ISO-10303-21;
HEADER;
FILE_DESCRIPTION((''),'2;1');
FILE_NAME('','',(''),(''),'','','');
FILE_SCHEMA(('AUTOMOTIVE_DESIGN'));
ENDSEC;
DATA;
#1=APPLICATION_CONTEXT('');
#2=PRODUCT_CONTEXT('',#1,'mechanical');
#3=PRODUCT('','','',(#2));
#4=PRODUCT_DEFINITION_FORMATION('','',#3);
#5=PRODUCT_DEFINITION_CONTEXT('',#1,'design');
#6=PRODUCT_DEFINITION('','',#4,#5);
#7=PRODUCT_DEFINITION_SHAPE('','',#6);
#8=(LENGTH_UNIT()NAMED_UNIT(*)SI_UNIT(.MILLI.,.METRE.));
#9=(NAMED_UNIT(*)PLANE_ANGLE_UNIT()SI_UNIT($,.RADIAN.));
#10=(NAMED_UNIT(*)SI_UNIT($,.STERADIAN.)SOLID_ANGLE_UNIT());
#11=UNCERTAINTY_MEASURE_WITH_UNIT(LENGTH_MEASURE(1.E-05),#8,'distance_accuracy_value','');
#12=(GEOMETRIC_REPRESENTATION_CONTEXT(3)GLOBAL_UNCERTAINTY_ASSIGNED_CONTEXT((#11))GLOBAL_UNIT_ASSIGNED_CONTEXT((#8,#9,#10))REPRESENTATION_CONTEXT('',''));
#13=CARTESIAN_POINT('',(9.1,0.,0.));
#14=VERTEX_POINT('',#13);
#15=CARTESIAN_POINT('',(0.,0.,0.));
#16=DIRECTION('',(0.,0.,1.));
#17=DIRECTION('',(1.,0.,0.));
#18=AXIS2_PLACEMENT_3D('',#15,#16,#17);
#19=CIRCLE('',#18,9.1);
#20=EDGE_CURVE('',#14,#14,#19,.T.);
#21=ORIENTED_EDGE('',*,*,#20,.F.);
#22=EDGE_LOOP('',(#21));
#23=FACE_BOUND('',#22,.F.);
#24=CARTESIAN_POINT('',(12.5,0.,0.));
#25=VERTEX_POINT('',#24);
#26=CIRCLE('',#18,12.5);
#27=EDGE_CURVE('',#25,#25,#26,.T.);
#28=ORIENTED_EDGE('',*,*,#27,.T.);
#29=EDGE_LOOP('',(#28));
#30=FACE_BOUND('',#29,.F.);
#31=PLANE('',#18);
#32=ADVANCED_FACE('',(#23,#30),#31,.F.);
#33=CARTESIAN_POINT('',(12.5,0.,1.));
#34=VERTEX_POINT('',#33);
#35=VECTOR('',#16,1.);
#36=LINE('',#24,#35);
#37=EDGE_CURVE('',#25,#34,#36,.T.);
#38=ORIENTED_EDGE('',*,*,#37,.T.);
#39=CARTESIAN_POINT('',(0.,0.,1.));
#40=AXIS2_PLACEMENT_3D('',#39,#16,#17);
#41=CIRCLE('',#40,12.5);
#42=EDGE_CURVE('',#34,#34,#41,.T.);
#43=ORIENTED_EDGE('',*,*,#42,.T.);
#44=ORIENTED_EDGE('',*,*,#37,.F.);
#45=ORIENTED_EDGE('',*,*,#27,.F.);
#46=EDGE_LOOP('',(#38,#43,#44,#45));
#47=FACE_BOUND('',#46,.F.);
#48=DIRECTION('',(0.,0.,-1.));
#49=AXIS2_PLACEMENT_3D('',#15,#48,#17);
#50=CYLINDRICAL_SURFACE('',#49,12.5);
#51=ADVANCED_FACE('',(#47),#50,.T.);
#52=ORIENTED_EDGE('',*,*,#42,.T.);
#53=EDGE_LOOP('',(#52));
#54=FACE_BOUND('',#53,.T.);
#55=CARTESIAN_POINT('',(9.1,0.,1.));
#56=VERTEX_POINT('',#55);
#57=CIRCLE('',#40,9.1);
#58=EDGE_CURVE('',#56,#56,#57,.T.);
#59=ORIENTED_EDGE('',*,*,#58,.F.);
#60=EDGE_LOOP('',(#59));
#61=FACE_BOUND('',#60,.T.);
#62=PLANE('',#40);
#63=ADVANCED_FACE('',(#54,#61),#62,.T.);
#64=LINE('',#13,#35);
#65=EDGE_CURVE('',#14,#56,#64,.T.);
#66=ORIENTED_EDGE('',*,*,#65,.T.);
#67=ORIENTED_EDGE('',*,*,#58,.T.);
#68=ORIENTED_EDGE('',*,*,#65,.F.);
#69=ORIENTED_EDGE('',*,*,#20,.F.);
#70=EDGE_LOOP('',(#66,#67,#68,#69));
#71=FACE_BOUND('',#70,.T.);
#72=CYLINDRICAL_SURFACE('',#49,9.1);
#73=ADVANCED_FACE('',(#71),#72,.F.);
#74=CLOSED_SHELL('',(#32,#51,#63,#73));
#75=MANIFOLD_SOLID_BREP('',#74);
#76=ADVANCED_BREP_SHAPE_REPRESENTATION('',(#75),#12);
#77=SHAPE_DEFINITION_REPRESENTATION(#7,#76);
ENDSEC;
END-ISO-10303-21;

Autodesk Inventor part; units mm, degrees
ref_plane "YZ Plane" through (0, 0, 0) normal (1, 0, 0) x (0, 1, 0)
ref_plane "XZ Plane" through (0, 0, 0) normal (0, 1, 0) x (-1, 0, 0)
ref_plane "XY Plane" through (0, 0, 0) normal (0, 0, 1) x (1, 0, 0)
sketch "スケッチ1" plane through (0, 0, 0) normal (0, 0, 1) x (1, 0, 0)
  circle A0 centre (0, 0) radius 9.1
  circle A1 centre (0, 0) radius 12.5
  dimension "d0" = 18.2
  dimension "d1" = 25
extrude "押し出し1" add sketch "スケッチ1" along normal blind 1
properties part number "ワッシャー18.2,25,1t"
